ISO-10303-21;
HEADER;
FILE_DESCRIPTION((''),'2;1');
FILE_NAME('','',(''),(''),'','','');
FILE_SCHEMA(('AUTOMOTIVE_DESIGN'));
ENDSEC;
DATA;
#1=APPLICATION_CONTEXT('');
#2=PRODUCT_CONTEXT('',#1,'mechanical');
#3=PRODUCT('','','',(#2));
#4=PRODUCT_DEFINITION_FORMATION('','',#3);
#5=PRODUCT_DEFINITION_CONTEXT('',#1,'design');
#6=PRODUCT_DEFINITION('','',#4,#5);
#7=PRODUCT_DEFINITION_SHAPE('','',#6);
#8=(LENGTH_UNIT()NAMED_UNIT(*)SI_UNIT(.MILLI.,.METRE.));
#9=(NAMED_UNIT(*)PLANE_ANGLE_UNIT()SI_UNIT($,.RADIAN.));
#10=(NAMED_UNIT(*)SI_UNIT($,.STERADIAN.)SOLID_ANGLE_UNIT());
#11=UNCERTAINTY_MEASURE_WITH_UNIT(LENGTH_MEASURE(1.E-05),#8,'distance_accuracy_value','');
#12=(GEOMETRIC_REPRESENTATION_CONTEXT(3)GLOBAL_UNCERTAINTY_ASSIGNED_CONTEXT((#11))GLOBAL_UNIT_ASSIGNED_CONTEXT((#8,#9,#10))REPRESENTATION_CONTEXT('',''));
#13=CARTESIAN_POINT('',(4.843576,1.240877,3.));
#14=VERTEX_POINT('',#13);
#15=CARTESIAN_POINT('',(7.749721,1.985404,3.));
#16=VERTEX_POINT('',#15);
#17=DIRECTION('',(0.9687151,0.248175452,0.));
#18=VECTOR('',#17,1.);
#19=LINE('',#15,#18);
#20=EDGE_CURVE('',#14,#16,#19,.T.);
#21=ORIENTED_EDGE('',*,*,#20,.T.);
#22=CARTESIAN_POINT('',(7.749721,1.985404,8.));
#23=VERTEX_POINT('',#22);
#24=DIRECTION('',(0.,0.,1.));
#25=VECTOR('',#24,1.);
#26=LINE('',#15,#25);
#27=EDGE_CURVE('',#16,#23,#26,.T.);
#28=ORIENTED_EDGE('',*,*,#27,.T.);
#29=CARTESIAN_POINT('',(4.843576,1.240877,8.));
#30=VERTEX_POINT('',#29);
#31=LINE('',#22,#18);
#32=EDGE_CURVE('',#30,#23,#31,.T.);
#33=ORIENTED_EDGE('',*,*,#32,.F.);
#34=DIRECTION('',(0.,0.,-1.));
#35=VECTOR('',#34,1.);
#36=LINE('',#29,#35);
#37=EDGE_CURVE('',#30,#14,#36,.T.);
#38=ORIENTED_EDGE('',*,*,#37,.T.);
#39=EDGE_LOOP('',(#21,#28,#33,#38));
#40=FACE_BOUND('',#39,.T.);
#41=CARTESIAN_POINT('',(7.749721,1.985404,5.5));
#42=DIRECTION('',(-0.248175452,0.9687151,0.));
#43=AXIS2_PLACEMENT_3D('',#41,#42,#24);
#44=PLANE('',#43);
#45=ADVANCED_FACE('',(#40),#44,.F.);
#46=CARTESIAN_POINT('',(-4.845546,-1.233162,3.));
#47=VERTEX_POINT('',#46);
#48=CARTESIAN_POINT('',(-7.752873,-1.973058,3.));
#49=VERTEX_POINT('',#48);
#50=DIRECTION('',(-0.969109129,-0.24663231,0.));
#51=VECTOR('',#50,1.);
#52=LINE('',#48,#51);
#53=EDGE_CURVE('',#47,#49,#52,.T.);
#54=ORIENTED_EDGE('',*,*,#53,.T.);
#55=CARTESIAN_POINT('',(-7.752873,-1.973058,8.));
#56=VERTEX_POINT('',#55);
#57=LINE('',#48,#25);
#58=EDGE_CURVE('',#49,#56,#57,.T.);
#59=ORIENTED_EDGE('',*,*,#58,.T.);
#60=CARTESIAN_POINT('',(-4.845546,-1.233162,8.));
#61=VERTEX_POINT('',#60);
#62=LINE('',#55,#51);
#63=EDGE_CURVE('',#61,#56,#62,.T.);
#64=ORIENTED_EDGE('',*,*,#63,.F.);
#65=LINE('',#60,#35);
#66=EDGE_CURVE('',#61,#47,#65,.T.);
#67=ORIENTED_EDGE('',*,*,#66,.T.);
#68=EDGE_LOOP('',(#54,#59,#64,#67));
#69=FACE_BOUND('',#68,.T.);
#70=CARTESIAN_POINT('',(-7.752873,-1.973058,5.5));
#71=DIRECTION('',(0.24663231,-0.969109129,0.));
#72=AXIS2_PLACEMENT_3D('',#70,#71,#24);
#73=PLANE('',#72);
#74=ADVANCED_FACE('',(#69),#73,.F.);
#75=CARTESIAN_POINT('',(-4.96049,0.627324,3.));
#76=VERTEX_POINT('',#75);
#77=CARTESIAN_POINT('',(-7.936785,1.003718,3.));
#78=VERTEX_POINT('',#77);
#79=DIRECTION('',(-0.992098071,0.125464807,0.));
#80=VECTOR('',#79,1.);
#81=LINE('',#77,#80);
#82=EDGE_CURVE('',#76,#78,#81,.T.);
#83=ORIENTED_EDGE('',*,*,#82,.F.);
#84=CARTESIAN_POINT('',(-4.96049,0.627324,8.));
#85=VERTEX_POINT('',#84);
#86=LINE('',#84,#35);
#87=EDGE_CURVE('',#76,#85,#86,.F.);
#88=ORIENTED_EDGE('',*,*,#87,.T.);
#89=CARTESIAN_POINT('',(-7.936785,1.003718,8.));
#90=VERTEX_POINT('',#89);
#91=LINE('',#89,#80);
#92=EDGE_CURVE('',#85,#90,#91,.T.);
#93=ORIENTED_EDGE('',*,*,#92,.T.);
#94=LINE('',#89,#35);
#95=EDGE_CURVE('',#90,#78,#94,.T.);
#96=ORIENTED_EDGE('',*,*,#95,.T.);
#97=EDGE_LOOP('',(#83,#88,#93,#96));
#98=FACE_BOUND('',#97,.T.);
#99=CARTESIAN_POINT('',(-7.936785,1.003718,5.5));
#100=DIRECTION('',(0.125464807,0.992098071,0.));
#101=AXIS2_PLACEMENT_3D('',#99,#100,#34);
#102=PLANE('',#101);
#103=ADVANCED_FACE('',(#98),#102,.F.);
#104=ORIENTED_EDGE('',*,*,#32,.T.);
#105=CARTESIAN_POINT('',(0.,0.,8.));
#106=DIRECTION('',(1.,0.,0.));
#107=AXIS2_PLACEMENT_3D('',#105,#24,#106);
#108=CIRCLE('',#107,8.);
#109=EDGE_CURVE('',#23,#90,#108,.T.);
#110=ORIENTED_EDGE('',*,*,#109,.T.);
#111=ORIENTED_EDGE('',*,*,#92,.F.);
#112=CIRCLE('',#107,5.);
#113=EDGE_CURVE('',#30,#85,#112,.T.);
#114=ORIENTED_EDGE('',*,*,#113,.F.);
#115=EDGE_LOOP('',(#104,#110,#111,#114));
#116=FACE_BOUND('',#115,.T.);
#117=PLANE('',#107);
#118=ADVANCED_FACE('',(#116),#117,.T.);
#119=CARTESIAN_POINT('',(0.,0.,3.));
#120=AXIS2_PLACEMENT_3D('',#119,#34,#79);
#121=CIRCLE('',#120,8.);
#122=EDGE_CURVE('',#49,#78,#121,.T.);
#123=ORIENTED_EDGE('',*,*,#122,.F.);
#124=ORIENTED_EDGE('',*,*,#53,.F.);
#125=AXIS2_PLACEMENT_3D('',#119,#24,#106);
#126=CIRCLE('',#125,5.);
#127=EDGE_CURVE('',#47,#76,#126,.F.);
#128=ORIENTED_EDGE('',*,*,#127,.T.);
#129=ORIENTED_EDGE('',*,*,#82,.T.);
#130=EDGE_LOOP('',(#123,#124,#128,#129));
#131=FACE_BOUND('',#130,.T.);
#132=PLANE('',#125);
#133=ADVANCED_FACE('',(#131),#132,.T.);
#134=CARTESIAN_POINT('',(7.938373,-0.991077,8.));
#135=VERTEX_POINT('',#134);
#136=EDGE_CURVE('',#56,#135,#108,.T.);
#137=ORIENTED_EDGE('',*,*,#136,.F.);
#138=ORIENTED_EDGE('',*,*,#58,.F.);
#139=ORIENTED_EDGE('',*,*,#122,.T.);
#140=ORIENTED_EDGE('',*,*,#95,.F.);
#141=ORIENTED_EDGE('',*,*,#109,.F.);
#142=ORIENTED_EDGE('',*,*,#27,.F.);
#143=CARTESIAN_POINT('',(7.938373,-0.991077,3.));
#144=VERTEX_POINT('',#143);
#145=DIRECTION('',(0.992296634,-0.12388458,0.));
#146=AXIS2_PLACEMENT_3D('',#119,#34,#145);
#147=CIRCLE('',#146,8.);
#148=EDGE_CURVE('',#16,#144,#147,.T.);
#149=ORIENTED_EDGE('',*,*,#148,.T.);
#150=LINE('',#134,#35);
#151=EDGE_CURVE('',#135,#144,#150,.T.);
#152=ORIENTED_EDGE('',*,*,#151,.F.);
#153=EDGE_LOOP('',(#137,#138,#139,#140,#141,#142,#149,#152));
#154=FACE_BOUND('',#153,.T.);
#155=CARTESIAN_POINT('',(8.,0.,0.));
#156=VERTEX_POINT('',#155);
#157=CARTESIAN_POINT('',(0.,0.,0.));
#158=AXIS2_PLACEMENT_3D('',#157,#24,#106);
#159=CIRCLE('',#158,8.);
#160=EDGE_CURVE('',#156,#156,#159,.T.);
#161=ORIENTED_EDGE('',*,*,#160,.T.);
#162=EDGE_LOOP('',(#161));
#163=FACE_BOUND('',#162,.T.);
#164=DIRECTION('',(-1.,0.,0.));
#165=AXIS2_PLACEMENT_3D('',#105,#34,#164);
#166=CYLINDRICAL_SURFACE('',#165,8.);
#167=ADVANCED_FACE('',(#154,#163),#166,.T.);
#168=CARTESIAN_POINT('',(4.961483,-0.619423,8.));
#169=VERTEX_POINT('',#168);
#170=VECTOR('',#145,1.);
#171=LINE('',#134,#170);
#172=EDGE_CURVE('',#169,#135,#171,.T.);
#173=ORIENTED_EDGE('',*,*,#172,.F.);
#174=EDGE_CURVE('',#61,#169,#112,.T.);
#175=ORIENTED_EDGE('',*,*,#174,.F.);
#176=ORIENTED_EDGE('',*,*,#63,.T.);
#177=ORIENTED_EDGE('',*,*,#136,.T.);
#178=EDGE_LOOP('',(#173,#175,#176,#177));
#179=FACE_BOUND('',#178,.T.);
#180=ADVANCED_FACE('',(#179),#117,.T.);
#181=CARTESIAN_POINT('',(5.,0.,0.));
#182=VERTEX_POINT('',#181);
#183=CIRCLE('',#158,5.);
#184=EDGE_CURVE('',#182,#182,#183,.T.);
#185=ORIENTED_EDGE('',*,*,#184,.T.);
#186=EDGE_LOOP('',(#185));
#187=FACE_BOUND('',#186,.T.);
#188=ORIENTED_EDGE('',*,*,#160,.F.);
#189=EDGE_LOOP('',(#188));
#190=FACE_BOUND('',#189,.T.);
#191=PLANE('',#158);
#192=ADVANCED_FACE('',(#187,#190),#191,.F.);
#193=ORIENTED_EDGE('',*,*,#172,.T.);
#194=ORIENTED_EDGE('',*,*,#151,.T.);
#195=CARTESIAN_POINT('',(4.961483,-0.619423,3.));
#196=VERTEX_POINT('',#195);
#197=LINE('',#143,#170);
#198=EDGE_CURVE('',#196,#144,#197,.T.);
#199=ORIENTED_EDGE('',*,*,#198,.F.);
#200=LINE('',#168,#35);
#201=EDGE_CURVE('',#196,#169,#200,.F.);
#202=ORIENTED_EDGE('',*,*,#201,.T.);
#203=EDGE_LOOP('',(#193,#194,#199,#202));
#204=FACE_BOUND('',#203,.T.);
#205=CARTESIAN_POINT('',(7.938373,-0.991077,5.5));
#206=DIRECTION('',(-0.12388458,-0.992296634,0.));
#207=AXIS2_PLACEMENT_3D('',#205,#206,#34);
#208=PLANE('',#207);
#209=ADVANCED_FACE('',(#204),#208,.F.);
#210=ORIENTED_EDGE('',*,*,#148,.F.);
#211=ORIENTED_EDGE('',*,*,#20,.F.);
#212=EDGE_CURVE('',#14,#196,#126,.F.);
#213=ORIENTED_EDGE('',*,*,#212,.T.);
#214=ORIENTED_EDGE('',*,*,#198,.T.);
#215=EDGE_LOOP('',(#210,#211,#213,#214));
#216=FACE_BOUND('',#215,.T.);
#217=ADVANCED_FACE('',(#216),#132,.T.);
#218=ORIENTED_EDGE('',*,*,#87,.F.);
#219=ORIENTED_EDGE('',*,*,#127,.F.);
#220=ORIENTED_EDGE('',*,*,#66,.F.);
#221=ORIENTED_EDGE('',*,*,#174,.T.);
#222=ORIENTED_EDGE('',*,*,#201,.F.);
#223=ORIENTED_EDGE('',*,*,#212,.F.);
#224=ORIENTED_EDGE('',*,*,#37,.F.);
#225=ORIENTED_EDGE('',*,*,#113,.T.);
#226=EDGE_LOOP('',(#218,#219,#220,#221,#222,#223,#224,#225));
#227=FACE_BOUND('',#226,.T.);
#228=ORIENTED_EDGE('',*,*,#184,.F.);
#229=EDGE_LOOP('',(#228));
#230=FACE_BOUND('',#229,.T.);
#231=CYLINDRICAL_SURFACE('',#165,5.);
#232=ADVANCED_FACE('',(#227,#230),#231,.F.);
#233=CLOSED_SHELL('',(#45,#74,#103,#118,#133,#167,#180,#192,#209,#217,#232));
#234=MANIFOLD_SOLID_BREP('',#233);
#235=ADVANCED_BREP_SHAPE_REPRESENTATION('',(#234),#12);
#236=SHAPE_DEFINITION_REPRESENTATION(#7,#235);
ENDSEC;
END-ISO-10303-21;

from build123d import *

# Parameters (mm, degrees)
SKETCH1_R                = 8
SKETCH1_R_2              = 5
BOSS_EXTRUDE1_DEPTH      = 8
WRAP2_SECTION_W          = 4
WRAP2_SECTION_H          = 5
WRAP2_ANGLE              = 21.485917317
WRAP2_SECTOR_2_SECTION_W = 4
WRAP2_SECTOR_2_SECTION_H = 5
WRAP2_SECTOR_2_ANGLE     = 21.485917317


with BuildPart() as part:
    # Sketch1 → Boss-Extrude1 (new body)
    with BuildSketch(Plane.XY):
        Circle(SKETCH1_R)
        Circle(SKETCH1_R_2, mode=Mode.SUBTRACT)
    extrude(amount=BOSS_EXTRUDE1_DEPTH)

    # Wrap2 section (on wrap section) → Wrap2 (revolve, cut)
    with BuildSketch(Plane(origin=(0, 0, 0), x_dir=(-0.9691091288804563, -0.24663230996883403, 0), z_dir=(0.24663230996883403, -0.9691091288804563, 0))):
        with Locations((6, -5.5)):
            Rectangle(WRAP2_SECTION_W, WRAP2_SECTION_H)
    revolve(axis=Axis((0, 0, 0), (0, 0, -1)), revolution_arc=WRAP2_ANGLE, mode=Mode.SUBTRACT)

    # Wrap2 sector 2 section (on wrap section) → Wrap2 sector 2 (revolve, cut)
    with BuildSketch(Plane(origin=(0, 0, 0), x_dir=(0.9687151001182653, 0.24817545165237268, 0), z_dir=(-0.24817545165237268, 0.9687151001182653, 0))):
        with Locations((6, -5.5)):
            Rectangle(WRAP2_SECTOR_2_SECTION_W, WRAP2_SECTOR_2_SECTION_H)
    revolve(axis=Axis((0, 0, 0), (0, 0, -1)), revolution_arc=WRAP2_SECTOR_2_ANGLE, mode=Mode.SUBTRACT)


solid = part.part
